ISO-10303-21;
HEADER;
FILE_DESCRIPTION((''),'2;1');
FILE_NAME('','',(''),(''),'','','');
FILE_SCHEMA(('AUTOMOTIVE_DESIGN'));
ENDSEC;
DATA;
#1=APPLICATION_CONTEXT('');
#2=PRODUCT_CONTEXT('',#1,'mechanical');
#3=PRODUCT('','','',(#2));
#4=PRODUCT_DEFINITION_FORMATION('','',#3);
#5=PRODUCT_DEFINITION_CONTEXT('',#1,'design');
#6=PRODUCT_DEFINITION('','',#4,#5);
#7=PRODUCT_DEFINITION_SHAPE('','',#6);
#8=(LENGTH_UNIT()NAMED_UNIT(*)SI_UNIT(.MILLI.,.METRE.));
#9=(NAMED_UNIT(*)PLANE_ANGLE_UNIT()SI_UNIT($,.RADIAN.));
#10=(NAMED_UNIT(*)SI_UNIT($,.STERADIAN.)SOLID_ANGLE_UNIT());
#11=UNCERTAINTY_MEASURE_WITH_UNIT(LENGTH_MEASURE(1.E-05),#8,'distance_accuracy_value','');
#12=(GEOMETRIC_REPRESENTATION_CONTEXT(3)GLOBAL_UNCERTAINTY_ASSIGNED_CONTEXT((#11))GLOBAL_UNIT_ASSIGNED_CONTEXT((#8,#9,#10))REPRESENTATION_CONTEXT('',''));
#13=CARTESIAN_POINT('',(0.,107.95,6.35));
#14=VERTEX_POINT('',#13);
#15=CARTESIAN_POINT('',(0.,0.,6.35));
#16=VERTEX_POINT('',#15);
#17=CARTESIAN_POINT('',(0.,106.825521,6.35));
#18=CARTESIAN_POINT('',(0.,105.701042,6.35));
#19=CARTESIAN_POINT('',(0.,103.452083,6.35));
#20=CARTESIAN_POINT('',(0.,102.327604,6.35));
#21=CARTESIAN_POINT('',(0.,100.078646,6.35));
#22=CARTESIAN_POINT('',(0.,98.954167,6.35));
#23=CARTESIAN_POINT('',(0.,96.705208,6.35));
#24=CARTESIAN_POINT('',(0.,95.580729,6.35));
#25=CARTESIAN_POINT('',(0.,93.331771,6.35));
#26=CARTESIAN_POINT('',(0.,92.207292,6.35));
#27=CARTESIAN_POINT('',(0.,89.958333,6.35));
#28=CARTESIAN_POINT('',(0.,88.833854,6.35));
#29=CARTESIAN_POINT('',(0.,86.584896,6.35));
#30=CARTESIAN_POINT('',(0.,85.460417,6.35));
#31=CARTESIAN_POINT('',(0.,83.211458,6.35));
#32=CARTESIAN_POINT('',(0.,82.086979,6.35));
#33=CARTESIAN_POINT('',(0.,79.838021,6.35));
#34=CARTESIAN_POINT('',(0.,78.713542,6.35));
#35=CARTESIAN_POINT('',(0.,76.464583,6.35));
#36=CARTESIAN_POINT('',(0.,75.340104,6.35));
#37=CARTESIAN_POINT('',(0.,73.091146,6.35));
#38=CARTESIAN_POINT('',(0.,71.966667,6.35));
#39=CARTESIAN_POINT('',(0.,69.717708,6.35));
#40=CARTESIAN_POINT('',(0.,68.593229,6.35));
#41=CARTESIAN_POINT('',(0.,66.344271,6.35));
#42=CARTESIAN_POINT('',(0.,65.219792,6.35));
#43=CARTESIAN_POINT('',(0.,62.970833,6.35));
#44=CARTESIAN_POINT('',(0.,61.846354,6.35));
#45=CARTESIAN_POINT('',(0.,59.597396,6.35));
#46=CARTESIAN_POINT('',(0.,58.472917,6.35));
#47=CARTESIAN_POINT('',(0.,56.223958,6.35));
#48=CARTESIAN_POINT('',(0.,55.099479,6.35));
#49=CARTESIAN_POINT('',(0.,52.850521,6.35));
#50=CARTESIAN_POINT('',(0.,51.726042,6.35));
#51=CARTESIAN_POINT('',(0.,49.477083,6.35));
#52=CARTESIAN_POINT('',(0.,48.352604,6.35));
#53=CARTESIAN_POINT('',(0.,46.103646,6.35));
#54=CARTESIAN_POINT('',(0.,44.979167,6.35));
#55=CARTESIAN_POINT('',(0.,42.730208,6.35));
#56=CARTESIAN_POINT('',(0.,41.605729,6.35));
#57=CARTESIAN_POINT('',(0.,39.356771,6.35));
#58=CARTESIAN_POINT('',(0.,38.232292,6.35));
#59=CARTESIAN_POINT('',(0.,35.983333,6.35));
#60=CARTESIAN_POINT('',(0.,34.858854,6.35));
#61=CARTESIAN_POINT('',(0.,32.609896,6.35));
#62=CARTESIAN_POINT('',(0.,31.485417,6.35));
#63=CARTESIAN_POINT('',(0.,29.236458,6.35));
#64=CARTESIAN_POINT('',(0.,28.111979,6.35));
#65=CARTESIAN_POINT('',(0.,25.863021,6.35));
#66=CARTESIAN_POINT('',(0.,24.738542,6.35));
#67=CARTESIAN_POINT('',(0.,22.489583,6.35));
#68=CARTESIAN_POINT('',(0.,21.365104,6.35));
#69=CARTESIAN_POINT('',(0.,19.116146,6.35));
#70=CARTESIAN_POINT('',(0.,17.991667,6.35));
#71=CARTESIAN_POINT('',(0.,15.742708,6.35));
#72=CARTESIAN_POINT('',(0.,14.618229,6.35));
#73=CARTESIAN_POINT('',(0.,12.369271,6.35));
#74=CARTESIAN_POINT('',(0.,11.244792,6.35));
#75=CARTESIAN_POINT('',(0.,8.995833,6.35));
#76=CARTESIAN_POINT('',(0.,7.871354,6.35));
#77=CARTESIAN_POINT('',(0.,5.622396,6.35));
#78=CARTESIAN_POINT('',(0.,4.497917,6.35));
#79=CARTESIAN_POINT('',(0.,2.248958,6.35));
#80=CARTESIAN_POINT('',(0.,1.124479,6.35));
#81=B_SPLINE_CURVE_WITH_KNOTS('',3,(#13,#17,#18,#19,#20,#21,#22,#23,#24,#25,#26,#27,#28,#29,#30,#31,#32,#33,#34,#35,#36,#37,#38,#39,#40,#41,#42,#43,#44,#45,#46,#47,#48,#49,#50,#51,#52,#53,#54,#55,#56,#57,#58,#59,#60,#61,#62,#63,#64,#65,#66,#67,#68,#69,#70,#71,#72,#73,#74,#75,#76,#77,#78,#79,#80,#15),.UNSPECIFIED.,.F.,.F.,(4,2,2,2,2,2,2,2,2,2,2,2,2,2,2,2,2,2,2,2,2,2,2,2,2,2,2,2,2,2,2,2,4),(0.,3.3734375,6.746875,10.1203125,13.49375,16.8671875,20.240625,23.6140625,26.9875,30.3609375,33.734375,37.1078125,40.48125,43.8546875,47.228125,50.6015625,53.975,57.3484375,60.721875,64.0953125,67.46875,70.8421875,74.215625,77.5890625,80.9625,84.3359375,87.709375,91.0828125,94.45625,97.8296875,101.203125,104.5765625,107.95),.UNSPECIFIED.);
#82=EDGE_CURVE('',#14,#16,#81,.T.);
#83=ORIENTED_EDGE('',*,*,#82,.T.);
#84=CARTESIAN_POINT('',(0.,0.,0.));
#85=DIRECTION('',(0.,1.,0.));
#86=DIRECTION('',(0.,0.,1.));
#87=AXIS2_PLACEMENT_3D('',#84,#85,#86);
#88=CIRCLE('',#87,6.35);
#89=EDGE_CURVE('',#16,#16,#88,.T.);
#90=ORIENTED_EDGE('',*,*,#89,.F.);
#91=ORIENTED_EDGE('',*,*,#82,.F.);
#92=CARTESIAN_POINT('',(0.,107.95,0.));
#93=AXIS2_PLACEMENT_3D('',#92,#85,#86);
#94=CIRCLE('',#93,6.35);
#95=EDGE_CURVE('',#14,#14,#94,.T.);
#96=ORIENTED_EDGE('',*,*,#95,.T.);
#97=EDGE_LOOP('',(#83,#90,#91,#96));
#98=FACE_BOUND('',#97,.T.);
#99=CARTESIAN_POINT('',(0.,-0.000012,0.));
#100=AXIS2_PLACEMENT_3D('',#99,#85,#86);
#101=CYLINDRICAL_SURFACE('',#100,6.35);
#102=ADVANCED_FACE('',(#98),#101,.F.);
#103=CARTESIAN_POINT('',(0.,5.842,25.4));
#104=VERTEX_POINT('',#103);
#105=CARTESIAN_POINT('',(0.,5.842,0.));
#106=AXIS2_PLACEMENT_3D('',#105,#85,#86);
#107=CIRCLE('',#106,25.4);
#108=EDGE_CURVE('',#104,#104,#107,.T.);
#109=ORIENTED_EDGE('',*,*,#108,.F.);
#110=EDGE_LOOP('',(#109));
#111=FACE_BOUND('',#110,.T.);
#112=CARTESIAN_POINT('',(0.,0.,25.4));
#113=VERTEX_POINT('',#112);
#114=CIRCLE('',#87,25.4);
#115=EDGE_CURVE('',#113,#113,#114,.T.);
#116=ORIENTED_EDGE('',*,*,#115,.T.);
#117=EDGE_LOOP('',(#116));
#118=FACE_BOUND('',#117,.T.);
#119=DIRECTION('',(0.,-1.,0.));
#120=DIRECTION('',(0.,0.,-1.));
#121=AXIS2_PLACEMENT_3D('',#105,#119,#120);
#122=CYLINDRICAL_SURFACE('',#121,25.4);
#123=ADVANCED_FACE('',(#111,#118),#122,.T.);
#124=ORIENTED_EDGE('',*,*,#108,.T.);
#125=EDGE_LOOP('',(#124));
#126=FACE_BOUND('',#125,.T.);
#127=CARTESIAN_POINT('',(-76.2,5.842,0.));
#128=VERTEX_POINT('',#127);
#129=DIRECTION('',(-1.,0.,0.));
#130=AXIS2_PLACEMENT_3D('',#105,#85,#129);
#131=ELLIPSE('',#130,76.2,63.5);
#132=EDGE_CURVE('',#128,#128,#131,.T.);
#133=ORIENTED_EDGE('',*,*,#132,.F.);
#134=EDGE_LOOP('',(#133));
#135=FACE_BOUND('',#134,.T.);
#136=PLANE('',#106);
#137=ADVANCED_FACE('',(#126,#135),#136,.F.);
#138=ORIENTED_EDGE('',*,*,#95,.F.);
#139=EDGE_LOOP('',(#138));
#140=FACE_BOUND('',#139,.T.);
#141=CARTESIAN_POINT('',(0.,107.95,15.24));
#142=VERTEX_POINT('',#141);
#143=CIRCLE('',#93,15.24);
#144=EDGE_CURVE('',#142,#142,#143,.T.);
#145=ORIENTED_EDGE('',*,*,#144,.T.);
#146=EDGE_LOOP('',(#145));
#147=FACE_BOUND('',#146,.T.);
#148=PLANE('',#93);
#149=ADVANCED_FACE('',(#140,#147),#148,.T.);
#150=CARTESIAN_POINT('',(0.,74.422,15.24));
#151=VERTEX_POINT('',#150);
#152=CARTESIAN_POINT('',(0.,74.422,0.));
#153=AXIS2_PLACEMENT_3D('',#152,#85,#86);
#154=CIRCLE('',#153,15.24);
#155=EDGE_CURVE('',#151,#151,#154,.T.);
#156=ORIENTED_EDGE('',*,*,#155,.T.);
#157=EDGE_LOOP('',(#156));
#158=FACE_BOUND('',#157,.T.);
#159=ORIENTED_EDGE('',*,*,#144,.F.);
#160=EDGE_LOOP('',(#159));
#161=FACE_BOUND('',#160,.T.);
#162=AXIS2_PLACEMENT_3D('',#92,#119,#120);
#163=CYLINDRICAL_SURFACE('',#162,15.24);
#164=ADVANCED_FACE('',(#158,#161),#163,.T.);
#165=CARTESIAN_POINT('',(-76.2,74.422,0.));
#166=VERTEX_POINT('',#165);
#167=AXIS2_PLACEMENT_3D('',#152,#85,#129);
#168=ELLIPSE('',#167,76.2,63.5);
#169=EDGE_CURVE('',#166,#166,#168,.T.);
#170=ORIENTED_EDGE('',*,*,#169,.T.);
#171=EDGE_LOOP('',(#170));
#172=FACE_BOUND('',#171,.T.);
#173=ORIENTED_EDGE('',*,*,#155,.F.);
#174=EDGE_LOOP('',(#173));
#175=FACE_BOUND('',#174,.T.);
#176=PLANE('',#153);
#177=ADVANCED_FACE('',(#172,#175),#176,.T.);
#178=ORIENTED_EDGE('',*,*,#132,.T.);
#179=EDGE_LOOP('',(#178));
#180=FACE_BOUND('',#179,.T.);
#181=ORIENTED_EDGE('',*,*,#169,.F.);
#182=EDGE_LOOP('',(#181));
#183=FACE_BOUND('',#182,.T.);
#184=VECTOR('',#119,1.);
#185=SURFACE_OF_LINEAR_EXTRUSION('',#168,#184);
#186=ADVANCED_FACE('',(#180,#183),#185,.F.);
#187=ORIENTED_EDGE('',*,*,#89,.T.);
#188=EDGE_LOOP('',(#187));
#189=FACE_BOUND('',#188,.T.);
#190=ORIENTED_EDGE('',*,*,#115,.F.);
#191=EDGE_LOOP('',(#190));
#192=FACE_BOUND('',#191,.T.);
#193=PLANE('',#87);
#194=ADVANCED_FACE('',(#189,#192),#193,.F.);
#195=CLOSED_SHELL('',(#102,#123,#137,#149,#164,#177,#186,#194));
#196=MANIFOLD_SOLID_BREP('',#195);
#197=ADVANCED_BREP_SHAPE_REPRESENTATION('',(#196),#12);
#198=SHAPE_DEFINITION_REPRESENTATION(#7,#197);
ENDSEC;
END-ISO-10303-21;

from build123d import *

# Parameters (mm, degrees)
SKETCH1_R               = 25.4
BOSS_EXTRUDE1_DEPTH     = 5.842
SKETCH2_RX              = 76.2
SKETCH2_RY              = 63.5
BOSS_EXTRUDE2_DEPTH     = 68.58
SKETCH3_R               = 15.24
BOSS_EXTRUDE3_DEPTH     = 33.528
CUT_EXTRUDE2_DEPTH      = 147.601134034
CUT_EXTRUDE2_DEPTH_BACK = 147.601134034
SKETCH4_R               = 6.35


with BuildPart() as part:
    # Sketch1 → Boss-Extrude1 (new body)
    with BuildSketch(Plane(origin=(0, 0, 0), x_dir=(1, 0, 0), z_dir=(0, 1, 0))):
        with Locations(Location((0, 0, 0), (0, 0, 270))):
            Circle(SKETCH1_R)
    extrude(amount=BOSS_EXTRUDE1_DEPTH)

    # Sketch2 → Boss-Extrude2 (add)
    with BuildSketch(Plane(origin=(0, 5.842, 0), x_dir=(1, 0, 0), z_dir=(0, 1, 0))):
        with Locations(Location((0, 0), (0, 0, 180))):
            Ellipse(SKETCH2_RX, SKETCH2_RY)
    extrude(amount=BOSS_EXTRUDE2_DEPTH)

    # Sketch3 → Boss-Extrude3 (add)
    with BuildSketch(Plane(origin=(0, 74.422, 0), x_dir=(1, 0, 0), z_dir=(0, 1, 0))):
        with Locations(Location((0, 0, 0), (0, 0, 270))):
            Circle(SKETCH3_R)
    extrude(amount=BOSS_EXTRUDE3_DEPTH)

    # Sketch4 → Cut-Extrude2 (cut, two sides: drawn at the far end of the back side and taken through both)
    with BuildSketch(Plane(origin=(0, 0, 0), x_dir=(1, 0, 0), z_dir=(0, 1, 0)).offset(-CUT_EXTRUDE2_DEPTH_BACK)):
        with Locations(Location((0, 0, 0), (0, 0, 270))):
            Circle(SKETCH4_R)
    extrude(amount=CUT_EXTRUDE2_DEPTH + CUT_EXTRUDE2_DEPTH_BACK, mode=Mode.SUBTRACT)


solid = part.part
